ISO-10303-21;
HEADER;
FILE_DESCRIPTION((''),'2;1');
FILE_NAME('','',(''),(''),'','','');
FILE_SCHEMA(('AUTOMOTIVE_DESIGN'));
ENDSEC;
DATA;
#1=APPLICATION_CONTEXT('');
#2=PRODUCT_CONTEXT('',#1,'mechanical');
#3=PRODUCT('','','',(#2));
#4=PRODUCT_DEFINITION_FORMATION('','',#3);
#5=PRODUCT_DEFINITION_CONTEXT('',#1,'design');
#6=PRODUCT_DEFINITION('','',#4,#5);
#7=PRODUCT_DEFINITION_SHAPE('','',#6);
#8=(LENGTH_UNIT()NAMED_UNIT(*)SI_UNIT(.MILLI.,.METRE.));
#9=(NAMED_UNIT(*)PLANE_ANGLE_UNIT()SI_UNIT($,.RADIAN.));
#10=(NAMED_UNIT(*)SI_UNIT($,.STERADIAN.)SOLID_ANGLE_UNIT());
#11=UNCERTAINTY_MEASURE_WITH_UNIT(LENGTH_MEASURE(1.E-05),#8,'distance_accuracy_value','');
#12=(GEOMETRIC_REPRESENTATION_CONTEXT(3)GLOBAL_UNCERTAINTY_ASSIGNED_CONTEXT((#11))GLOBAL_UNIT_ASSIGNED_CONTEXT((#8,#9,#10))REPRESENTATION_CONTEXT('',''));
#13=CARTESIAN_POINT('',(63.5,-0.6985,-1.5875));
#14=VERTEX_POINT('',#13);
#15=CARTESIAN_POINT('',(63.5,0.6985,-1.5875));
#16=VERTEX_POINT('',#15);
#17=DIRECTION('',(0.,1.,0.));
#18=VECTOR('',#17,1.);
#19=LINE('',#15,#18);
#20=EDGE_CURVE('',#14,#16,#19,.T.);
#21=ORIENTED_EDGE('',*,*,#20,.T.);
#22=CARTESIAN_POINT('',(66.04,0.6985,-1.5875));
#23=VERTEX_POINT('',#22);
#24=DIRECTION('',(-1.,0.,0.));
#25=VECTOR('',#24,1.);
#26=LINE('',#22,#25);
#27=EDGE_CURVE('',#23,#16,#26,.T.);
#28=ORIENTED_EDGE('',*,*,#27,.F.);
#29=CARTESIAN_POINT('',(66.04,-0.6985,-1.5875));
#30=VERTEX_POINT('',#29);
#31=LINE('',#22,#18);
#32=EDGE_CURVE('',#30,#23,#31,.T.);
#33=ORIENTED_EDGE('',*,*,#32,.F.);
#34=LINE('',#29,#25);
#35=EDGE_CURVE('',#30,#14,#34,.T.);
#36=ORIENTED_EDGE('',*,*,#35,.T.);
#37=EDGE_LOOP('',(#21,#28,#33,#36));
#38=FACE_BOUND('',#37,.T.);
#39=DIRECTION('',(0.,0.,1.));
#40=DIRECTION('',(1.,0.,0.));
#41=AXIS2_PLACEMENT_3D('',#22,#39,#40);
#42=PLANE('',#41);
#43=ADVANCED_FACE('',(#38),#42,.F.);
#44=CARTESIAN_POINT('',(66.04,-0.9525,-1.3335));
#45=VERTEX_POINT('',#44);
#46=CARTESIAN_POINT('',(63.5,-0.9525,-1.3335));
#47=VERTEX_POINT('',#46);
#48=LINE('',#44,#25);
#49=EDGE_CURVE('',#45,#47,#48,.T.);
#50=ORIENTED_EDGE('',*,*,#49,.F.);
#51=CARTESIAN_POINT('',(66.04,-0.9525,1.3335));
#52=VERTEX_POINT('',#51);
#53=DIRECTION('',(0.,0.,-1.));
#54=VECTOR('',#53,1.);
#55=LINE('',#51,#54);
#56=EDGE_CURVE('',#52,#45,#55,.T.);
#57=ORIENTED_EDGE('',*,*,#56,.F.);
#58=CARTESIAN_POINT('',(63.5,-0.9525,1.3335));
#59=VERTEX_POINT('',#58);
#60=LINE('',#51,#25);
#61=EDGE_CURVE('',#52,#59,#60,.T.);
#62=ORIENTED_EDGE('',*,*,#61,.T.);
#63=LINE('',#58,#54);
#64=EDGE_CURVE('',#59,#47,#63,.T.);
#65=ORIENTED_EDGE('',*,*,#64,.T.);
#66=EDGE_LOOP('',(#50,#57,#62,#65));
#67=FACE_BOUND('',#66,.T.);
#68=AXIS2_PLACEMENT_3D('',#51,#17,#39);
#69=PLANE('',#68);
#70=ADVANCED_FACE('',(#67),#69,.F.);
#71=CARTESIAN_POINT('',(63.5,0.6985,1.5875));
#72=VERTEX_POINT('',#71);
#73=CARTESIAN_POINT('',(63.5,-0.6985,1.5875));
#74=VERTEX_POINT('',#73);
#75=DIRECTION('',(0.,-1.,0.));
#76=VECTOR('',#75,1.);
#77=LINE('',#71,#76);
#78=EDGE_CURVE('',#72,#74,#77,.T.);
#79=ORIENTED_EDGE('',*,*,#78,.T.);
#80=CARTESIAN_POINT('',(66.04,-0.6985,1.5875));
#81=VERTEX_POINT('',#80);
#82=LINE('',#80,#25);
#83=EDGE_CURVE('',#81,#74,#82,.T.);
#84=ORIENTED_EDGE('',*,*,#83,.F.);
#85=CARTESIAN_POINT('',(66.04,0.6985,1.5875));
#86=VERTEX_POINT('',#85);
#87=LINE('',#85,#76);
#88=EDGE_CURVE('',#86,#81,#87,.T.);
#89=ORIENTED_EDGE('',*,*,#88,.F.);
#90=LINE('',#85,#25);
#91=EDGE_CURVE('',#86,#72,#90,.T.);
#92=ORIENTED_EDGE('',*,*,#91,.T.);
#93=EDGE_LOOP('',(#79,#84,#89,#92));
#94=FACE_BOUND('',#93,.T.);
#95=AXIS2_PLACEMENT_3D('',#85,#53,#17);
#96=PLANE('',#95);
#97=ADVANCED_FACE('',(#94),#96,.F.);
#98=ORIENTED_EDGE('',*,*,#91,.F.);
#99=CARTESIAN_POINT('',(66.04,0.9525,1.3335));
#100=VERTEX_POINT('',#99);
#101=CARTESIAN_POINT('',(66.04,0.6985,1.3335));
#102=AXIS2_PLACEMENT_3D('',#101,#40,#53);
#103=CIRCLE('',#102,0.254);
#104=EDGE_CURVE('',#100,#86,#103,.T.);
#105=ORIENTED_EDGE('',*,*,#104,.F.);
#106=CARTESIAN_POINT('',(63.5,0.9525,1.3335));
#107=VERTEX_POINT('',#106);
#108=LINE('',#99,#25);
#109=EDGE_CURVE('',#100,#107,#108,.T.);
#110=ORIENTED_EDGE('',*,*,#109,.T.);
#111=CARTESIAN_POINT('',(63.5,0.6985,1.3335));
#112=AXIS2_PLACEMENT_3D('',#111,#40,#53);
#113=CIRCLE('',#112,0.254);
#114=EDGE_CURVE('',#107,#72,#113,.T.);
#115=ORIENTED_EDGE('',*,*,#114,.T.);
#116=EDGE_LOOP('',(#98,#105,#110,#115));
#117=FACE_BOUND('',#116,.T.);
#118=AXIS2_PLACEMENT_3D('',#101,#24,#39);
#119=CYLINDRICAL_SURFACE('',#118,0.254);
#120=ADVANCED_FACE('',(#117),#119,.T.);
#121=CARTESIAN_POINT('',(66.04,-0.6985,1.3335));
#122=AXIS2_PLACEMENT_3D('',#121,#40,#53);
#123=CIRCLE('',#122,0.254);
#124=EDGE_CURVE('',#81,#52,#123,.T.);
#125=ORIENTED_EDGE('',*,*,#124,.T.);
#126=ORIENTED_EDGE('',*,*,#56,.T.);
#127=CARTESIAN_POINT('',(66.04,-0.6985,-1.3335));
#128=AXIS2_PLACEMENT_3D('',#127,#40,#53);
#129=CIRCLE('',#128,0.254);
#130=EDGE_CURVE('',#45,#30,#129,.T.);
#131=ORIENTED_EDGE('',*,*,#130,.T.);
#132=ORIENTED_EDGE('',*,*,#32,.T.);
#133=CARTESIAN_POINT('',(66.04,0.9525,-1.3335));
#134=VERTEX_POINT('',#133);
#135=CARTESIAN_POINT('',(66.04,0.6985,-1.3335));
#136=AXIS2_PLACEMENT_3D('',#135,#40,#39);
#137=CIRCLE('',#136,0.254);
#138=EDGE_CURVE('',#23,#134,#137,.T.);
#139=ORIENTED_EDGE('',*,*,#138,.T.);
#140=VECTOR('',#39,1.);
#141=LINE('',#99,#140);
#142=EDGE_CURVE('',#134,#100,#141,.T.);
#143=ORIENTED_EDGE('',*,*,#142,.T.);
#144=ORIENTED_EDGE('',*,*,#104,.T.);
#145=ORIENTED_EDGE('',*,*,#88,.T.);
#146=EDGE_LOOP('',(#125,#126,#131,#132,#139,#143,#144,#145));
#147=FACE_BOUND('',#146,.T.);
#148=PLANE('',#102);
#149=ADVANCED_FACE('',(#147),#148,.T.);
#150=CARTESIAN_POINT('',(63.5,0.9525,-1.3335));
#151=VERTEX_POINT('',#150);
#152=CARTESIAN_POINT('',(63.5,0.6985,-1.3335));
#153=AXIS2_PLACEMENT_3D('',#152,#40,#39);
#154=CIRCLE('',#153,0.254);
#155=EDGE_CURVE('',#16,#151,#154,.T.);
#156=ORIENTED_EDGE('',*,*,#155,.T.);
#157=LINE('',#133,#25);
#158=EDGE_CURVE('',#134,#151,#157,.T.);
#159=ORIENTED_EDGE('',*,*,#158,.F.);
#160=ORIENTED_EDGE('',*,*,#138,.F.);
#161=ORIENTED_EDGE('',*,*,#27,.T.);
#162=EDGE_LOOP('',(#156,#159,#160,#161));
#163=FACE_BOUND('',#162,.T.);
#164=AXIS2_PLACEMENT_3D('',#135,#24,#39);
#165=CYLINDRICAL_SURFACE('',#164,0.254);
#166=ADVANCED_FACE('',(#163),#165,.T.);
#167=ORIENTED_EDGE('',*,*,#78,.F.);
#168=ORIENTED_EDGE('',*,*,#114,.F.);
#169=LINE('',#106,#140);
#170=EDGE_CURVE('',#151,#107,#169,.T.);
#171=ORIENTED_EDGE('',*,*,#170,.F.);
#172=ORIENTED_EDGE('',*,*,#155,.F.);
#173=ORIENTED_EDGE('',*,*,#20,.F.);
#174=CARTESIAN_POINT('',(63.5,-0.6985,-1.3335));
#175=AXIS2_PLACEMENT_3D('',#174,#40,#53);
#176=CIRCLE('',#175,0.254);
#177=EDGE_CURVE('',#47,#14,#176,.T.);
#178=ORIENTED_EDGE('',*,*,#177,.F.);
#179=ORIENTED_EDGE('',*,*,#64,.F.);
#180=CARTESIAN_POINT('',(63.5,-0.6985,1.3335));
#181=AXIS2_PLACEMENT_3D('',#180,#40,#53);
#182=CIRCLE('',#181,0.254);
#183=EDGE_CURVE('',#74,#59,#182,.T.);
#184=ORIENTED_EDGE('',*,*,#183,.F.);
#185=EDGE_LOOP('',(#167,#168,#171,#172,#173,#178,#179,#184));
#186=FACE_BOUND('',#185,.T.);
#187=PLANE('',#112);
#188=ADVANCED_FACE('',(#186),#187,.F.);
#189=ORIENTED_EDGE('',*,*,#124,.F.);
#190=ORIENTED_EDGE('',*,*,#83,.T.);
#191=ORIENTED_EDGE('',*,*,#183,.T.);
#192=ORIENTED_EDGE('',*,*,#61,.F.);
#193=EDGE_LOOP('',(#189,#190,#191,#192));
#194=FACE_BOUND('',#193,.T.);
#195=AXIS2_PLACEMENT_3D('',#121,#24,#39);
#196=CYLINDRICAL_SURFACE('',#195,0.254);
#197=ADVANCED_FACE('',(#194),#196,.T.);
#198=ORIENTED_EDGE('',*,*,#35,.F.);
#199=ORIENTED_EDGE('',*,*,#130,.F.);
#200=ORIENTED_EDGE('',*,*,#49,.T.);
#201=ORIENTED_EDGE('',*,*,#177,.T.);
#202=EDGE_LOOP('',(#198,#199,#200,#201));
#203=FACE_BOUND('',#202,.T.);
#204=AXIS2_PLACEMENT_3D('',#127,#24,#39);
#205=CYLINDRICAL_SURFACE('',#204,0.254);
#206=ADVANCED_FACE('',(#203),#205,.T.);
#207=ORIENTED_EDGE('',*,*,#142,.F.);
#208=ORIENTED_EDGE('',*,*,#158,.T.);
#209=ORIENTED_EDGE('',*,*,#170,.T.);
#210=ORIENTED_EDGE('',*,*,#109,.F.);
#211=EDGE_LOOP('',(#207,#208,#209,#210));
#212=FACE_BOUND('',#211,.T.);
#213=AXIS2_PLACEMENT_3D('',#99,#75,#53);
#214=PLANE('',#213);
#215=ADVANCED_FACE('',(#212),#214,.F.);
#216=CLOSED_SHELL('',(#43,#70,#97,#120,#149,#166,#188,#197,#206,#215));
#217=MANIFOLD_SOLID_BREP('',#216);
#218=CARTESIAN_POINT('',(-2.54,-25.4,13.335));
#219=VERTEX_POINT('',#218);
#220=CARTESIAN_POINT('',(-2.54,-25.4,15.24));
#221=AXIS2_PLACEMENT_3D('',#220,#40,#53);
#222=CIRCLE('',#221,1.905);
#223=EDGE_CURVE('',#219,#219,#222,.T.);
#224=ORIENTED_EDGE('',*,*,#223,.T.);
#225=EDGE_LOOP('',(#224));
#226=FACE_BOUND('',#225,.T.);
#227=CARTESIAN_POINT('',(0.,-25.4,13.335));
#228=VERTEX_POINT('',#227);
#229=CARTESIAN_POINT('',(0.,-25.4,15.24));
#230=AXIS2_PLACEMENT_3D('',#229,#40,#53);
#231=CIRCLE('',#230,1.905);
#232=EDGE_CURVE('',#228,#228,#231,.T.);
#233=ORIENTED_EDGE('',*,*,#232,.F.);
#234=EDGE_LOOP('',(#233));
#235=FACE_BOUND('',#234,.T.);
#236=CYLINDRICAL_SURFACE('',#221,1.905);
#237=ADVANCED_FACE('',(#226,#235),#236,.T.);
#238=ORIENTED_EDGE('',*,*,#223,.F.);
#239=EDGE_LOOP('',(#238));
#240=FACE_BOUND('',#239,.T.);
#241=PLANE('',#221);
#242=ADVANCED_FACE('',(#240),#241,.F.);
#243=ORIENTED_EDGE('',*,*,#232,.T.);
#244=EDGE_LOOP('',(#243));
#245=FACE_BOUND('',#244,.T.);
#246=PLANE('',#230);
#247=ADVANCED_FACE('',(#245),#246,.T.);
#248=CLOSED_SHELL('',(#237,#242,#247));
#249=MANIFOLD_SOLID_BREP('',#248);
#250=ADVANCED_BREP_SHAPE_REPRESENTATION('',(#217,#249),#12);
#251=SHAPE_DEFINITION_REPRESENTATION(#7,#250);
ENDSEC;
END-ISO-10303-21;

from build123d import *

# Parameters (mm, degrees)
SKETCH1_R      = 1.905
EXTRUDE1_DEPTH = 2.54
EXTRUDE2_DEPTH = 2.54


with BuildPart() as part:
    # Sketch1 → Extrude1 (new body)
    with BuildSketch(Plane(origin=(0, 0, 0), x_dir=(0, 0, -1), z_dir=(1, 0, 0))):
        with Locations((-15.24, -25.4)):
            Circle(SKETCH1_R)
    extrude(amount=-EXTRUDE1_DEPTH)


with BuildPart() as body_2:
    # Sketch2 → Extrude2 (new body)
    with BuildSketch(Plane(origin=(63.5, 0, 0), x_dir=(0, 0, -1), z_dir=(1, 0, 0))):
        with BuildLine():
            Line((-1.3335, 0.9525), (1.3335, 0.9525))
            ThreePointArc((1.3335, 0.9525), (1.513105122, 0.878105122), (1.5875, 0.6985))
            Line((1.5875, 0.6985), (1.5875, -0.6985))
            ThreePointArc((1.5875, -0.6985), (1.513105122, -0.878105122), (1.3335, -0.9525))
            Line((1.3335, -0.9525), (-1.3335, -0.9525))
            ThreePointArc((-1.3335, -0.9525), (-1.513105122, -0.878105122), (-1.5875, -0.6985))
            Line((-1.5875, -0.6985), (-1.5875, 0.6985))
            ThreePointArc((-1.5875, 0.6985), (-1.513105122, 0.878105122), (-1.3335, 0.9525))
        make_face()
    extrude(amount=EXTRUDE2_DEPTH)


solid = Compound([part.part, body_2.part])
